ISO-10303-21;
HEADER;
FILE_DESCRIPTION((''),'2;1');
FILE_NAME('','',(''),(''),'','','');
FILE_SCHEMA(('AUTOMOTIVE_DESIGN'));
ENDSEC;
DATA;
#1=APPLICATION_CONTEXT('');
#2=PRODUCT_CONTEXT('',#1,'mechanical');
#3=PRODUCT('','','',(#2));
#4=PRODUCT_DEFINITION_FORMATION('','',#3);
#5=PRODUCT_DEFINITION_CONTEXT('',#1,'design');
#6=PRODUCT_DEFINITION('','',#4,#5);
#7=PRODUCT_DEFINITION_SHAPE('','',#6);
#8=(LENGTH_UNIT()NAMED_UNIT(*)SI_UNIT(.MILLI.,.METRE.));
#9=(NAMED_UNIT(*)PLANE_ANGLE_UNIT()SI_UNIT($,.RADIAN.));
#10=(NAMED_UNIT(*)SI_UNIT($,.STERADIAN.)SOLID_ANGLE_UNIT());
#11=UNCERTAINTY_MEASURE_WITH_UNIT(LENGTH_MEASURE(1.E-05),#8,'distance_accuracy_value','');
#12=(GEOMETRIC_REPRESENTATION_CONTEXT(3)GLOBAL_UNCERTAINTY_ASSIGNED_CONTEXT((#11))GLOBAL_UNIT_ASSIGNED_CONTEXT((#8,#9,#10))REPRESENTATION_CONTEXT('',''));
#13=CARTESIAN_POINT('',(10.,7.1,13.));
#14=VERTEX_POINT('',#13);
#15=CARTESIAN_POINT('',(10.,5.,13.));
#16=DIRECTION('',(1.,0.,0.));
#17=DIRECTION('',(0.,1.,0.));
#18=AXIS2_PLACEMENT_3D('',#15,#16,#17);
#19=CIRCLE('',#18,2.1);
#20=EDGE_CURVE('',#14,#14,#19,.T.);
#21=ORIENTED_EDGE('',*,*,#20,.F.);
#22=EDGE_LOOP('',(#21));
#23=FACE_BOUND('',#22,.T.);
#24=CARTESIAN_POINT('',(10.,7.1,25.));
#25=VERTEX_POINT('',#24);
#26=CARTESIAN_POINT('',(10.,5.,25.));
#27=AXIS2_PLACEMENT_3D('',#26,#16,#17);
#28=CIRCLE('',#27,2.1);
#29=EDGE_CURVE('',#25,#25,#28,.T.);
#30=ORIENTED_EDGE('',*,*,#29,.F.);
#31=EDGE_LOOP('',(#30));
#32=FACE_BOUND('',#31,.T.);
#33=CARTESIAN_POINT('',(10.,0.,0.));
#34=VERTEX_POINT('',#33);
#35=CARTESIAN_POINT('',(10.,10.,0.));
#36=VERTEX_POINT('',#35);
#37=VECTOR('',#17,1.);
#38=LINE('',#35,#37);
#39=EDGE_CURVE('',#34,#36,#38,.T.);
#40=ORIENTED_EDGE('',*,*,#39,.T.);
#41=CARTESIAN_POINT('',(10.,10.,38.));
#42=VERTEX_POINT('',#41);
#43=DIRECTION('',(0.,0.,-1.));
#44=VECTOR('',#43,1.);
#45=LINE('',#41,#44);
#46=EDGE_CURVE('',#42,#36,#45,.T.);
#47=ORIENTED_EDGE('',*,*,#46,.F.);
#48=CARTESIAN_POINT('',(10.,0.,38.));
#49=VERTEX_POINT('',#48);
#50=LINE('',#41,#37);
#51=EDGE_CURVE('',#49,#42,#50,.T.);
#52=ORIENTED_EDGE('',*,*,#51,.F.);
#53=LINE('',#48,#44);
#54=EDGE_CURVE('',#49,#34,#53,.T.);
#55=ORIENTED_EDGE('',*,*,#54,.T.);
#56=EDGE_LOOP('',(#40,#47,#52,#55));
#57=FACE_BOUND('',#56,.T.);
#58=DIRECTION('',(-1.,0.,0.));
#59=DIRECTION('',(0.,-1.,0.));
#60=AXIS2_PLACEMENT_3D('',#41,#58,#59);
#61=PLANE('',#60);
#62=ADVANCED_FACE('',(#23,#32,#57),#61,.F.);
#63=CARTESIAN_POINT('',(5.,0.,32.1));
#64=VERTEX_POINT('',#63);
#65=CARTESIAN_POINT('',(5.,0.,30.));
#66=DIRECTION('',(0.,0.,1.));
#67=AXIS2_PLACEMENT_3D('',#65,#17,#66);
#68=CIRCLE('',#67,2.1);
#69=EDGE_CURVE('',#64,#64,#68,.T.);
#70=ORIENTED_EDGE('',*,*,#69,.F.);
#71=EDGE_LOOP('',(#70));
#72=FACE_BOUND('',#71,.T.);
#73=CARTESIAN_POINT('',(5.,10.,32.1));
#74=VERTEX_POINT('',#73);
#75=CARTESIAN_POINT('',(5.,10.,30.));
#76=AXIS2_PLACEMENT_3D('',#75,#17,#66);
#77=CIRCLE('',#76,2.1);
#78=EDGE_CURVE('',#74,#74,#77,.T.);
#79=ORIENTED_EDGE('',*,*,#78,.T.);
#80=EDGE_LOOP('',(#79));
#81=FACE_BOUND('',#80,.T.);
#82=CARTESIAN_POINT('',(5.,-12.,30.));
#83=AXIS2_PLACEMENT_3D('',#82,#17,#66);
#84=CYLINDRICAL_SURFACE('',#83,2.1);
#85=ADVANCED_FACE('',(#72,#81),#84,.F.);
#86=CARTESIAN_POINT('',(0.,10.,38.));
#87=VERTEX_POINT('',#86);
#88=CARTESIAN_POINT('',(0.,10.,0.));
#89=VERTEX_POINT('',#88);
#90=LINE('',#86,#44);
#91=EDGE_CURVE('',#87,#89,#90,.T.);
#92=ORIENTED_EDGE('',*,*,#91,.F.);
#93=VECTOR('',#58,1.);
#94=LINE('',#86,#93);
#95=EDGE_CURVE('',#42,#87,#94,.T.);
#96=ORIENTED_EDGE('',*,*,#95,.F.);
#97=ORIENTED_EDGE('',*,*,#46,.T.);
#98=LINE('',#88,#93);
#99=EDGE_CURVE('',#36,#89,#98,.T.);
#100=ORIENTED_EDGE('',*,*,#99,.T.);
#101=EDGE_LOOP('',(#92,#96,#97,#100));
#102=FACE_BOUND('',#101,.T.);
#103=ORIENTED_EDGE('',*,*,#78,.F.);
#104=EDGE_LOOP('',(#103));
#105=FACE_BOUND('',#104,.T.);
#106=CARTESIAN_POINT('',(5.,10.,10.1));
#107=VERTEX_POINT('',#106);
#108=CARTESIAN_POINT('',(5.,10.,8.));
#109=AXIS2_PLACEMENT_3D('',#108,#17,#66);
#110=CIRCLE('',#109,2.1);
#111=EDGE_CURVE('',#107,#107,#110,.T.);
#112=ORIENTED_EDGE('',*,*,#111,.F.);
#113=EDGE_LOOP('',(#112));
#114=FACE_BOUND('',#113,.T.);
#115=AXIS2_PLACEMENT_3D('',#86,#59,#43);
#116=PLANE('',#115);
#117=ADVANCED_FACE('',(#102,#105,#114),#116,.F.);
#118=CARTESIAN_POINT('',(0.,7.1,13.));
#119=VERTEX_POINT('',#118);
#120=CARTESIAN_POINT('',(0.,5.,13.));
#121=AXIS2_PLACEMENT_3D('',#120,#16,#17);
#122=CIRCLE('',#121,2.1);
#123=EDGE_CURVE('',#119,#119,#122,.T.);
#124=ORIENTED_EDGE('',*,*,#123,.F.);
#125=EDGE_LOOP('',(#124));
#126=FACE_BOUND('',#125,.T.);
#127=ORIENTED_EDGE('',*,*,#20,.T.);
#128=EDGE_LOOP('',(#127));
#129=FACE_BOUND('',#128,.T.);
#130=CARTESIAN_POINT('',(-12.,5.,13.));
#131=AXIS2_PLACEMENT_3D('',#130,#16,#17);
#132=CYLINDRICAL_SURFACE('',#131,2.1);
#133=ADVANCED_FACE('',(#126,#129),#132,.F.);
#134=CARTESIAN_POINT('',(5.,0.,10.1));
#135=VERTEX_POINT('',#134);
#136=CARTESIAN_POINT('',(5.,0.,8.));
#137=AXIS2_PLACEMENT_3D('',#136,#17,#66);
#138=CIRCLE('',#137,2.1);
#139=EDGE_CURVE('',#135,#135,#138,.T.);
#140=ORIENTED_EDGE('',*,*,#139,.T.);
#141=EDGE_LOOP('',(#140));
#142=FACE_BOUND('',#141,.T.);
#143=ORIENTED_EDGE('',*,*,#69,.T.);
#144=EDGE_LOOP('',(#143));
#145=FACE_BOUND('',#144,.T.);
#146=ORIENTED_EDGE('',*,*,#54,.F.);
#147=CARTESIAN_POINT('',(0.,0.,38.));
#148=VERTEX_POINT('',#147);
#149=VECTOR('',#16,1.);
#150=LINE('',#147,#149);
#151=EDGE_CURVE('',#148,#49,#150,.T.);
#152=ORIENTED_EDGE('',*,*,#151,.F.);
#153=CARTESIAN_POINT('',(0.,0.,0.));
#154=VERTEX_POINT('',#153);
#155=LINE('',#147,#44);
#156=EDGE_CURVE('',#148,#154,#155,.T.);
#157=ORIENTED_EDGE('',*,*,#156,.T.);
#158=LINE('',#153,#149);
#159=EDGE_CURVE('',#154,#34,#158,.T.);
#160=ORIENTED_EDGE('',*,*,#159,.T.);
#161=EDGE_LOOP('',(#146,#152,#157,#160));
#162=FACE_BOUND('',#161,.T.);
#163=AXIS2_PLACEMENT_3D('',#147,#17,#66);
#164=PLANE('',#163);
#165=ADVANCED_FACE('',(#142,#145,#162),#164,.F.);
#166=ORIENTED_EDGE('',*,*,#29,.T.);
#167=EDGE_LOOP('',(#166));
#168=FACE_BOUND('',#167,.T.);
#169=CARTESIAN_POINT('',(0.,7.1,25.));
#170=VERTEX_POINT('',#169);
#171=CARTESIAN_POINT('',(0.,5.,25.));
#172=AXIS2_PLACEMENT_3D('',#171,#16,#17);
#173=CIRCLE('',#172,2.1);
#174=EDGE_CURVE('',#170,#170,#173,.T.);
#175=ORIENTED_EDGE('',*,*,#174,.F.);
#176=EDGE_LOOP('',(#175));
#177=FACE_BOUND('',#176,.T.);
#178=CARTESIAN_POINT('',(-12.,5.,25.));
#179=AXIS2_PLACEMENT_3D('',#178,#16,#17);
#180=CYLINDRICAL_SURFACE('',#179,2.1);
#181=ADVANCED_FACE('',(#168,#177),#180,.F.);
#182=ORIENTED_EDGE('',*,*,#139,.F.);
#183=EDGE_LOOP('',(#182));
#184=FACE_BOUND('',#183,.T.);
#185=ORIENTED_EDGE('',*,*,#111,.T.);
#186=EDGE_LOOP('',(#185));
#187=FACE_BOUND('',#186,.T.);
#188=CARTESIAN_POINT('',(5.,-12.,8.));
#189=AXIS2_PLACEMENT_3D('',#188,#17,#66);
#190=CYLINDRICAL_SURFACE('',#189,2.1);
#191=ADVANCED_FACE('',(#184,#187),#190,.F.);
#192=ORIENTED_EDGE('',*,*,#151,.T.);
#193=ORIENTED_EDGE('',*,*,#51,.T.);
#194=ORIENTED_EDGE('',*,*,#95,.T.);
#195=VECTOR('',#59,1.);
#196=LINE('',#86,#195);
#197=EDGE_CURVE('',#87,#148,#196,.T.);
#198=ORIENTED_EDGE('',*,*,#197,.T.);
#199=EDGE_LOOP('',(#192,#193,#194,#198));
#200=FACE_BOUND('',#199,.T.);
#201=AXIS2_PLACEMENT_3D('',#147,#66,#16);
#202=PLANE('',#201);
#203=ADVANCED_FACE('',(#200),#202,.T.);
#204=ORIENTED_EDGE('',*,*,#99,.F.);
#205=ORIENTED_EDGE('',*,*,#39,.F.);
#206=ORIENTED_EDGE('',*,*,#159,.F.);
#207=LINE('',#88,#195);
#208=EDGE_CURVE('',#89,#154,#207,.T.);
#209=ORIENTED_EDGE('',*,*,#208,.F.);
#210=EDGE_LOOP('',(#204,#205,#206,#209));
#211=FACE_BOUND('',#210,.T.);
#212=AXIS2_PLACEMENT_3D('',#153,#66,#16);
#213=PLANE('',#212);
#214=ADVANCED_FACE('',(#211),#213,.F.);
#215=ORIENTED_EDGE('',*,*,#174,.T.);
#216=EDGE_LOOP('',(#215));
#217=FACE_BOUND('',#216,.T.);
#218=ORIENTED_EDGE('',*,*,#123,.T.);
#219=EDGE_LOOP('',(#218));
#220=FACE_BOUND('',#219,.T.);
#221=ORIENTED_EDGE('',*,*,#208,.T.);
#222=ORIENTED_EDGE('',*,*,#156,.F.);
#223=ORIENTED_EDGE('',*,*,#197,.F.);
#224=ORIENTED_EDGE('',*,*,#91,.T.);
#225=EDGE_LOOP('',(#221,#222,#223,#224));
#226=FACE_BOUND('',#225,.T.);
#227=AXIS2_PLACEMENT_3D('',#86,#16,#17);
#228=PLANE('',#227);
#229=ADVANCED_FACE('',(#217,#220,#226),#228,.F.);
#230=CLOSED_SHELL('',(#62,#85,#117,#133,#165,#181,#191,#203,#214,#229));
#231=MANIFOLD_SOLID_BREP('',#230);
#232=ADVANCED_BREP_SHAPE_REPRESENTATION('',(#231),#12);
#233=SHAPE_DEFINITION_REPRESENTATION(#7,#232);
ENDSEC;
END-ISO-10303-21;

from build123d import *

# Parameters (mm, degrees)
SKETCH_1_W          = 10
SKETCH_1_H          = 10
EXTRUDE_1_DEPTH     = 38
CUT_EXTRUDE_1_DEPTH = 22
SKETCH_4_R          = 2.1
CUT_EXTRUDE_2_DEPTH = 22


with BuildPart() as part:
    # 草图1 → 凸台-拉伸1 (new body)
    with BuildSketch(Plane.XY):
        with Locations((5, 5)):
            Rectangle(SKETCH_1_W, SKETCH_1_H)
    extrude(amount=EXTRUDE_1_DEPTH)

    # 草图3 → 切除-拉伸1 (cut)
    with BuildSketch(Plane(origin=(0, 10, 0), x_dir=(1, 0, 0), z_dir=(0, 1, 0))):
        with BuildLine():
            ThreePointArc((7.1, -8), (6.48492424, -6.51507576), (5, -5.9))
            Line((5, -5.9), (5, -10.1))
            ThreePointArc((5, -10.1), (6.48492424, -9.48492424), (7.1, -8))
        make_face()
        with BuildLine():
            Line((5, -10.1), (5, -5.9))
            ThreePointArc((5, -5.9), (2.9, -8), (5, -10.1))
        make_face()
        with BuildLine():
            ThreePointArc((7.1, -30), (6.48492424, -28.51507576), (5, -27.9))
            Line((5, -27.9), (5, -32.1))
            ThreePointArc((5, -32.1), (6.48492424, -31.48492424), (7.1, -30))
        make_face()
        with BuildLine():
            Line((5, -32.1), (5, -27.9))
            ThreePointArc((5, -27.9), (2.9, -30), (5, -32.1))
        make_face()
    extrude(amount=-CUT_EXTRUDE_1_DEPTH, mode=Mode.SUBTRACT)

    # 草图4 → 切除-拉伸2 (cut)
    with BuildSketch(Plane(origin=(10, 0, 0), x_dir=(0, 0, -1), z_dir=(1, 0, 0))):
        with Locations(Location((-25, 5, 0), (0, 0, 90))):
            Circle(SKETCH_4_R)
        with Locations(Location((-13, 5, 0), (0, 0, 90))):
            Circle(SKETCH_4_R)
    extrude(amount=-CUT_EXTRUDE_2_DEPTH, mode=Mode.SUBTRACT)


solid = part.part
